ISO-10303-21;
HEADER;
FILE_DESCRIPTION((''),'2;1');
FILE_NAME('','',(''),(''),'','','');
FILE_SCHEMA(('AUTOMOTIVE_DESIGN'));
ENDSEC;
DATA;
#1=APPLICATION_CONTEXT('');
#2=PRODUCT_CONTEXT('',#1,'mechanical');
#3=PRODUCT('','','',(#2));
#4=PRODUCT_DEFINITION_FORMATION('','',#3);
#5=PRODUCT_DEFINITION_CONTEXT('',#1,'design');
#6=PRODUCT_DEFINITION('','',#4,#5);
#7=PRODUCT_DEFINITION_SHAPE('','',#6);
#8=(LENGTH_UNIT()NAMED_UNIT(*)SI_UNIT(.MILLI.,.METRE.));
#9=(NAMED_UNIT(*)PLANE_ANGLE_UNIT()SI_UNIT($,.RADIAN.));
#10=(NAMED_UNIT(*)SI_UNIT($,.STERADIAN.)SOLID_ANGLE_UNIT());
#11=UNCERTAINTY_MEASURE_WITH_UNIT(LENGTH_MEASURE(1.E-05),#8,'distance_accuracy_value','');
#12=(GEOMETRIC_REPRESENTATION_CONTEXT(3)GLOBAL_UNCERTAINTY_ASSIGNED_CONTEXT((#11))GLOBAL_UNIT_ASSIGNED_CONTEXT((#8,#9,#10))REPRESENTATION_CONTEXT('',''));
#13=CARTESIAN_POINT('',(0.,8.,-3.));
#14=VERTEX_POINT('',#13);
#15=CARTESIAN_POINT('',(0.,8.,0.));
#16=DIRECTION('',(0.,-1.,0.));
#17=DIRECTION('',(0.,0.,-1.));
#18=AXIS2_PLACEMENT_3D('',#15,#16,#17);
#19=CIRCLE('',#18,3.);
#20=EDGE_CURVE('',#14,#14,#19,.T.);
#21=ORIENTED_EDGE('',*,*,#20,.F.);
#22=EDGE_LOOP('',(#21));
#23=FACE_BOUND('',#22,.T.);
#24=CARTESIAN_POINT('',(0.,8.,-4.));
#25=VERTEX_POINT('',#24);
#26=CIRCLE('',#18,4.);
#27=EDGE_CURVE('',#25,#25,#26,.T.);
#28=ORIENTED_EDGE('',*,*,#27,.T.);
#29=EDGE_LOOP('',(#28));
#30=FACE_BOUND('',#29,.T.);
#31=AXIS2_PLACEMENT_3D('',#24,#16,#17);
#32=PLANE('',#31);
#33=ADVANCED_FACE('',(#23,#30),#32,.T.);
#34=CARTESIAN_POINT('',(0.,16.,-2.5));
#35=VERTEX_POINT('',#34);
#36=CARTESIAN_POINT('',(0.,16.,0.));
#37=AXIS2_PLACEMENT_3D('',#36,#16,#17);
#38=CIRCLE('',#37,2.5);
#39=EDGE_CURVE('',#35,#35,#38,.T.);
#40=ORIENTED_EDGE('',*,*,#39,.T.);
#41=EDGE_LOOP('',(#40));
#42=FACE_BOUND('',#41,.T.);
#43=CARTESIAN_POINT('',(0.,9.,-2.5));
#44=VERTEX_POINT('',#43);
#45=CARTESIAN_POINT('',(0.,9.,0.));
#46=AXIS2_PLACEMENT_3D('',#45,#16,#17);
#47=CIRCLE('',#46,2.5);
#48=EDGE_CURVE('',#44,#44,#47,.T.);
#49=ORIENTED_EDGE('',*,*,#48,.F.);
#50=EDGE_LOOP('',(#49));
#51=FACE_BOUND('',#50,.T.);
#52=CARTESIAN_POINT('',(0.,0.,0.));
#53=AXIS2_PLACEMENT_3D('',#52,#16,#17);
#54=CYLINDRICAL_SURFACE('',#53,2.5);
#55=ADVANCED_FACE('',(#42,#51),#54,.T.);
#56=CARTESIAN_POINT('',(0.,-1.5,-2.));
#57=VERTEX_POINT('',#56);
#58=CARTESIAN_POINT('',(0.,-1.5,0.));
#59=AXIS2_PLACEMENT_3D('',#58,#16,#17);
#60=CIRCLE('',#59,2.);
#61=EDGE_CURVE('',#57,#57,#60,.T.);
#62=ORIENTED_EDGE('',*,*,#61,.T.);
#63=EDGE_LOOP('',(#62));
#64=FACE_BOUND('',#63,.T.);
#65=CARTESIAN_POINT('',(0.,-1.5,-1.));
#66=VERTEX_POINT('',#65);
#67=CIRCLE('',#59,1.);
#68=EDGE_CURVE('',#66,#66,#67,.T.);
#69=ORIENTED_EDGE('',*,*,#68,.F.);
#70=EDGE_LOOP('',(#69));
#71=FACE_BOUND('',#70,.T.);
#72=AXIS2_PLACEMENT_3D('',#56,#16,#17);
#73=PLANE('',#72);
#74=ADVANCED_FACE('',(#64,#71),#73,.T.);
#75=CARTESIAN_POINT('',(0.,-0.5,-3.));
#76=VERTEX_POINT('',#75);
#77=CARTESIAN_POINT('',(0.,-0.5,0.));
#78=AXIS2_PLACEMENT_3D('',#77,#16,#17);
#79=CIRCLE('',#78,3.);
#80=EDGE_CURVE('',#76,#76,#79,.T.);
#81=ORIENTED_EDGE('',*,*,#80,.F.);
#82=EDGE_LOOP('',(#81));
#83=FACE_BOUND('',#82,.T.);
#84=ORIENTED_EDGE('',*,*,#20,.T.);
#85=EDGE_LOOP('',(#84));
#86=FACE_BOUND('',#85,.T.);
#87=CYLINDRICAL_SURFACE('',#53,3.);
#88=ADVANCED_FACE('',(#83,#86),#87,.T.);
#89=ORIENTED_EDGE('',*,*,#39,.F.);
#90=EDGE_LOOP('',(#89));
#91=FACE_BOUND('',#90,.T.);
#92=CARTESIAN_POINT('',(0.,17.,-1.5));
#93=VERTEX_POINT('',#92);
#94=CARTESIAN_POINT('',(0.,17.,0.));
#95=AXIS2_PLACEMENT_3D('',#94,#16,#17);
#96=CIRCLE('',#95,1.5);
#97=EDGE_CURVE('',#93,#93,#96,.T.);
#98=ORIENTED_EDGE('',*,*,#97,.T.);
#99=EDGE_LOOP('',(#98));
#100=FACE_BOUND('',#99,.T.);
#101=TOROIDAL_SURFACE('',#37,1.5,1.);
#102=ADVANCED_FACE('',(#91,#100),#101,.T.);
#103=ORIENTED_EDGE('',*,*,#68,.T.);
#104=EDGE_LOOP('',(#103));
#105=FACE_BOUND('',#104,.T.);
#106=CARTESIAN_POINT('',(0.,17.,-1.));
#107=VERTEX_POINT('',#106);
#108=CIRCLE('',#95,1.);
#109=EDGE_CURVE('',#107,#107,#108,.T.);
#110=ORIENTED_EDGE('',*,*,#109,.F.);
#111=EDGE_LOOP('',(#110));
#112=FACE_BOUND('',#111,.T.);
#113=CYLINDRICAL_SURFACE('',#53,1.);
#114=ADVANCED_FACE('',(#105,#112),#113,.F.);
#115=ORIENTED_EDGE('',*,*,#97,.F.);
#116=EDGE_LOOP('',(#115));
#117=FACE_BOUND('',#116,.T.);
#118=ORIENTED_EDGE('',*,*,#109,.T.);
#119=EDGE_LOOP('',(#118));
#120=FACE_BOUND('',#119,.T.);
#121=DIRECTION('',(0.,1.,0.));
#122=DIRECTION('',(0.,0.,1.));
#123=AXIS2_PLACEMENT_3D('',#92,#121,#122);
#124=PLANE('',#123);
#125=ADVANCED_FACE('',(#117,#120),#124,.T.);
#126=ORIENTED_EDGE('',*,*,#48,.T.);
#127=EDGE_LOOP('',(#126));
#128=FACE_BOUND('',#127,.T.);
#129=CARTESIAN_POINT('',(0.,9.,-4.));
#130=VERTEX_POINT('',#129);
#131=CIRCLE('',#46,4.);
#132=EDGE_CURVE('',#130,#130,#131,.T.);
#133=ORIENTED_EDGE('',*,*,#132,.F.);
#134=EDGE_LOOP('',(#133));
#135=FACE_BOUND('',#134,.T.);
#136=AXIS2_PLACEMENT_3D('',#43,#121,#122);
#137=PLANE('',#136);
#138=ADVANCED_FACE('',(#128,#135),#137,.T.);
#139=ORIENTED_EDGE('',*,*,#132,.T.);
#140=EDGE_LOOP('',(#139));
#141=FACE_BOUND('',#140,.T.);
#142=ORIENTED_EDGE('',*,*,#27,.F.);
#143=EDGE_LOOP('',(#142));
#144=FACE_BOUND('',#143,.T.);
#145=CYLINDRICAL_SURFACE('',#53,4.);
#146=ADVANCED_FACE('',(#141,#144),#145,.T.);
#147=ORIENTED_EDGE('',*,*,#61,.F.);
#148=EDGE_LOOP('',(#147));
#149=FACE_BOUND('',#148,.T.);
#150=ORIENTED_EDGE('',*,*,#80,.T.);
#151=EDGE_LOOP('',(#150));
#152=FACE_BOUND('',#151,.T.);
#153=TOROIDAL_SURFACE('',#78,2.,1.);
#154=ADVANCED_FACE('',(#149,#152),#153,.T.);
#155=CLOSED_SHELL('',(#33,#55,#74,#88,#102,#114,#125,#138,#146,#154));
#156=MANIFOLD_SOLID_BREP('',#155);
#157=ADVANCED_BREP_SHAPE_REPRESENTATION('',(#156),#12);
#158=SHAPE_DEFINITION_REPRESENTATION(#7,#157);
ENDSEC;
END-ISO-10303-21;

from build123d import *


with BuildPart() as part:
    # Эскиз1 → Повернуть1 (revolve)
    with BuildSketch(Plane(origin=(0, 0, 0), x_dir=(0, 0, -1), z_dir=(1, 0, 0))):
        with BuildLine():
            Line((2.5, 16), (2.5, 9))
            Line((2.5, 9), (4, 9))
            Line((4, 9), (4, 8))
            Line((4, 8), (3, 8))
            Line((3, 8), (3, -0.5))
            ThreePointArc((3, -0.5), (2.707106781, -1.207106781), (2, -1.5))
            Line((2, -1.5), (1, -1.5))
            Line((1, -1.5), (1, 17))
            Line((1, 17), (1.5, 17))
            ThreePointArc((1.5, 17), (2.207106781, 16.707106781), (2.5, 16))
        make_face()
    revolve(axis=Axis((0, 0, 0), (0, 1, 0)))


solid = part.part
